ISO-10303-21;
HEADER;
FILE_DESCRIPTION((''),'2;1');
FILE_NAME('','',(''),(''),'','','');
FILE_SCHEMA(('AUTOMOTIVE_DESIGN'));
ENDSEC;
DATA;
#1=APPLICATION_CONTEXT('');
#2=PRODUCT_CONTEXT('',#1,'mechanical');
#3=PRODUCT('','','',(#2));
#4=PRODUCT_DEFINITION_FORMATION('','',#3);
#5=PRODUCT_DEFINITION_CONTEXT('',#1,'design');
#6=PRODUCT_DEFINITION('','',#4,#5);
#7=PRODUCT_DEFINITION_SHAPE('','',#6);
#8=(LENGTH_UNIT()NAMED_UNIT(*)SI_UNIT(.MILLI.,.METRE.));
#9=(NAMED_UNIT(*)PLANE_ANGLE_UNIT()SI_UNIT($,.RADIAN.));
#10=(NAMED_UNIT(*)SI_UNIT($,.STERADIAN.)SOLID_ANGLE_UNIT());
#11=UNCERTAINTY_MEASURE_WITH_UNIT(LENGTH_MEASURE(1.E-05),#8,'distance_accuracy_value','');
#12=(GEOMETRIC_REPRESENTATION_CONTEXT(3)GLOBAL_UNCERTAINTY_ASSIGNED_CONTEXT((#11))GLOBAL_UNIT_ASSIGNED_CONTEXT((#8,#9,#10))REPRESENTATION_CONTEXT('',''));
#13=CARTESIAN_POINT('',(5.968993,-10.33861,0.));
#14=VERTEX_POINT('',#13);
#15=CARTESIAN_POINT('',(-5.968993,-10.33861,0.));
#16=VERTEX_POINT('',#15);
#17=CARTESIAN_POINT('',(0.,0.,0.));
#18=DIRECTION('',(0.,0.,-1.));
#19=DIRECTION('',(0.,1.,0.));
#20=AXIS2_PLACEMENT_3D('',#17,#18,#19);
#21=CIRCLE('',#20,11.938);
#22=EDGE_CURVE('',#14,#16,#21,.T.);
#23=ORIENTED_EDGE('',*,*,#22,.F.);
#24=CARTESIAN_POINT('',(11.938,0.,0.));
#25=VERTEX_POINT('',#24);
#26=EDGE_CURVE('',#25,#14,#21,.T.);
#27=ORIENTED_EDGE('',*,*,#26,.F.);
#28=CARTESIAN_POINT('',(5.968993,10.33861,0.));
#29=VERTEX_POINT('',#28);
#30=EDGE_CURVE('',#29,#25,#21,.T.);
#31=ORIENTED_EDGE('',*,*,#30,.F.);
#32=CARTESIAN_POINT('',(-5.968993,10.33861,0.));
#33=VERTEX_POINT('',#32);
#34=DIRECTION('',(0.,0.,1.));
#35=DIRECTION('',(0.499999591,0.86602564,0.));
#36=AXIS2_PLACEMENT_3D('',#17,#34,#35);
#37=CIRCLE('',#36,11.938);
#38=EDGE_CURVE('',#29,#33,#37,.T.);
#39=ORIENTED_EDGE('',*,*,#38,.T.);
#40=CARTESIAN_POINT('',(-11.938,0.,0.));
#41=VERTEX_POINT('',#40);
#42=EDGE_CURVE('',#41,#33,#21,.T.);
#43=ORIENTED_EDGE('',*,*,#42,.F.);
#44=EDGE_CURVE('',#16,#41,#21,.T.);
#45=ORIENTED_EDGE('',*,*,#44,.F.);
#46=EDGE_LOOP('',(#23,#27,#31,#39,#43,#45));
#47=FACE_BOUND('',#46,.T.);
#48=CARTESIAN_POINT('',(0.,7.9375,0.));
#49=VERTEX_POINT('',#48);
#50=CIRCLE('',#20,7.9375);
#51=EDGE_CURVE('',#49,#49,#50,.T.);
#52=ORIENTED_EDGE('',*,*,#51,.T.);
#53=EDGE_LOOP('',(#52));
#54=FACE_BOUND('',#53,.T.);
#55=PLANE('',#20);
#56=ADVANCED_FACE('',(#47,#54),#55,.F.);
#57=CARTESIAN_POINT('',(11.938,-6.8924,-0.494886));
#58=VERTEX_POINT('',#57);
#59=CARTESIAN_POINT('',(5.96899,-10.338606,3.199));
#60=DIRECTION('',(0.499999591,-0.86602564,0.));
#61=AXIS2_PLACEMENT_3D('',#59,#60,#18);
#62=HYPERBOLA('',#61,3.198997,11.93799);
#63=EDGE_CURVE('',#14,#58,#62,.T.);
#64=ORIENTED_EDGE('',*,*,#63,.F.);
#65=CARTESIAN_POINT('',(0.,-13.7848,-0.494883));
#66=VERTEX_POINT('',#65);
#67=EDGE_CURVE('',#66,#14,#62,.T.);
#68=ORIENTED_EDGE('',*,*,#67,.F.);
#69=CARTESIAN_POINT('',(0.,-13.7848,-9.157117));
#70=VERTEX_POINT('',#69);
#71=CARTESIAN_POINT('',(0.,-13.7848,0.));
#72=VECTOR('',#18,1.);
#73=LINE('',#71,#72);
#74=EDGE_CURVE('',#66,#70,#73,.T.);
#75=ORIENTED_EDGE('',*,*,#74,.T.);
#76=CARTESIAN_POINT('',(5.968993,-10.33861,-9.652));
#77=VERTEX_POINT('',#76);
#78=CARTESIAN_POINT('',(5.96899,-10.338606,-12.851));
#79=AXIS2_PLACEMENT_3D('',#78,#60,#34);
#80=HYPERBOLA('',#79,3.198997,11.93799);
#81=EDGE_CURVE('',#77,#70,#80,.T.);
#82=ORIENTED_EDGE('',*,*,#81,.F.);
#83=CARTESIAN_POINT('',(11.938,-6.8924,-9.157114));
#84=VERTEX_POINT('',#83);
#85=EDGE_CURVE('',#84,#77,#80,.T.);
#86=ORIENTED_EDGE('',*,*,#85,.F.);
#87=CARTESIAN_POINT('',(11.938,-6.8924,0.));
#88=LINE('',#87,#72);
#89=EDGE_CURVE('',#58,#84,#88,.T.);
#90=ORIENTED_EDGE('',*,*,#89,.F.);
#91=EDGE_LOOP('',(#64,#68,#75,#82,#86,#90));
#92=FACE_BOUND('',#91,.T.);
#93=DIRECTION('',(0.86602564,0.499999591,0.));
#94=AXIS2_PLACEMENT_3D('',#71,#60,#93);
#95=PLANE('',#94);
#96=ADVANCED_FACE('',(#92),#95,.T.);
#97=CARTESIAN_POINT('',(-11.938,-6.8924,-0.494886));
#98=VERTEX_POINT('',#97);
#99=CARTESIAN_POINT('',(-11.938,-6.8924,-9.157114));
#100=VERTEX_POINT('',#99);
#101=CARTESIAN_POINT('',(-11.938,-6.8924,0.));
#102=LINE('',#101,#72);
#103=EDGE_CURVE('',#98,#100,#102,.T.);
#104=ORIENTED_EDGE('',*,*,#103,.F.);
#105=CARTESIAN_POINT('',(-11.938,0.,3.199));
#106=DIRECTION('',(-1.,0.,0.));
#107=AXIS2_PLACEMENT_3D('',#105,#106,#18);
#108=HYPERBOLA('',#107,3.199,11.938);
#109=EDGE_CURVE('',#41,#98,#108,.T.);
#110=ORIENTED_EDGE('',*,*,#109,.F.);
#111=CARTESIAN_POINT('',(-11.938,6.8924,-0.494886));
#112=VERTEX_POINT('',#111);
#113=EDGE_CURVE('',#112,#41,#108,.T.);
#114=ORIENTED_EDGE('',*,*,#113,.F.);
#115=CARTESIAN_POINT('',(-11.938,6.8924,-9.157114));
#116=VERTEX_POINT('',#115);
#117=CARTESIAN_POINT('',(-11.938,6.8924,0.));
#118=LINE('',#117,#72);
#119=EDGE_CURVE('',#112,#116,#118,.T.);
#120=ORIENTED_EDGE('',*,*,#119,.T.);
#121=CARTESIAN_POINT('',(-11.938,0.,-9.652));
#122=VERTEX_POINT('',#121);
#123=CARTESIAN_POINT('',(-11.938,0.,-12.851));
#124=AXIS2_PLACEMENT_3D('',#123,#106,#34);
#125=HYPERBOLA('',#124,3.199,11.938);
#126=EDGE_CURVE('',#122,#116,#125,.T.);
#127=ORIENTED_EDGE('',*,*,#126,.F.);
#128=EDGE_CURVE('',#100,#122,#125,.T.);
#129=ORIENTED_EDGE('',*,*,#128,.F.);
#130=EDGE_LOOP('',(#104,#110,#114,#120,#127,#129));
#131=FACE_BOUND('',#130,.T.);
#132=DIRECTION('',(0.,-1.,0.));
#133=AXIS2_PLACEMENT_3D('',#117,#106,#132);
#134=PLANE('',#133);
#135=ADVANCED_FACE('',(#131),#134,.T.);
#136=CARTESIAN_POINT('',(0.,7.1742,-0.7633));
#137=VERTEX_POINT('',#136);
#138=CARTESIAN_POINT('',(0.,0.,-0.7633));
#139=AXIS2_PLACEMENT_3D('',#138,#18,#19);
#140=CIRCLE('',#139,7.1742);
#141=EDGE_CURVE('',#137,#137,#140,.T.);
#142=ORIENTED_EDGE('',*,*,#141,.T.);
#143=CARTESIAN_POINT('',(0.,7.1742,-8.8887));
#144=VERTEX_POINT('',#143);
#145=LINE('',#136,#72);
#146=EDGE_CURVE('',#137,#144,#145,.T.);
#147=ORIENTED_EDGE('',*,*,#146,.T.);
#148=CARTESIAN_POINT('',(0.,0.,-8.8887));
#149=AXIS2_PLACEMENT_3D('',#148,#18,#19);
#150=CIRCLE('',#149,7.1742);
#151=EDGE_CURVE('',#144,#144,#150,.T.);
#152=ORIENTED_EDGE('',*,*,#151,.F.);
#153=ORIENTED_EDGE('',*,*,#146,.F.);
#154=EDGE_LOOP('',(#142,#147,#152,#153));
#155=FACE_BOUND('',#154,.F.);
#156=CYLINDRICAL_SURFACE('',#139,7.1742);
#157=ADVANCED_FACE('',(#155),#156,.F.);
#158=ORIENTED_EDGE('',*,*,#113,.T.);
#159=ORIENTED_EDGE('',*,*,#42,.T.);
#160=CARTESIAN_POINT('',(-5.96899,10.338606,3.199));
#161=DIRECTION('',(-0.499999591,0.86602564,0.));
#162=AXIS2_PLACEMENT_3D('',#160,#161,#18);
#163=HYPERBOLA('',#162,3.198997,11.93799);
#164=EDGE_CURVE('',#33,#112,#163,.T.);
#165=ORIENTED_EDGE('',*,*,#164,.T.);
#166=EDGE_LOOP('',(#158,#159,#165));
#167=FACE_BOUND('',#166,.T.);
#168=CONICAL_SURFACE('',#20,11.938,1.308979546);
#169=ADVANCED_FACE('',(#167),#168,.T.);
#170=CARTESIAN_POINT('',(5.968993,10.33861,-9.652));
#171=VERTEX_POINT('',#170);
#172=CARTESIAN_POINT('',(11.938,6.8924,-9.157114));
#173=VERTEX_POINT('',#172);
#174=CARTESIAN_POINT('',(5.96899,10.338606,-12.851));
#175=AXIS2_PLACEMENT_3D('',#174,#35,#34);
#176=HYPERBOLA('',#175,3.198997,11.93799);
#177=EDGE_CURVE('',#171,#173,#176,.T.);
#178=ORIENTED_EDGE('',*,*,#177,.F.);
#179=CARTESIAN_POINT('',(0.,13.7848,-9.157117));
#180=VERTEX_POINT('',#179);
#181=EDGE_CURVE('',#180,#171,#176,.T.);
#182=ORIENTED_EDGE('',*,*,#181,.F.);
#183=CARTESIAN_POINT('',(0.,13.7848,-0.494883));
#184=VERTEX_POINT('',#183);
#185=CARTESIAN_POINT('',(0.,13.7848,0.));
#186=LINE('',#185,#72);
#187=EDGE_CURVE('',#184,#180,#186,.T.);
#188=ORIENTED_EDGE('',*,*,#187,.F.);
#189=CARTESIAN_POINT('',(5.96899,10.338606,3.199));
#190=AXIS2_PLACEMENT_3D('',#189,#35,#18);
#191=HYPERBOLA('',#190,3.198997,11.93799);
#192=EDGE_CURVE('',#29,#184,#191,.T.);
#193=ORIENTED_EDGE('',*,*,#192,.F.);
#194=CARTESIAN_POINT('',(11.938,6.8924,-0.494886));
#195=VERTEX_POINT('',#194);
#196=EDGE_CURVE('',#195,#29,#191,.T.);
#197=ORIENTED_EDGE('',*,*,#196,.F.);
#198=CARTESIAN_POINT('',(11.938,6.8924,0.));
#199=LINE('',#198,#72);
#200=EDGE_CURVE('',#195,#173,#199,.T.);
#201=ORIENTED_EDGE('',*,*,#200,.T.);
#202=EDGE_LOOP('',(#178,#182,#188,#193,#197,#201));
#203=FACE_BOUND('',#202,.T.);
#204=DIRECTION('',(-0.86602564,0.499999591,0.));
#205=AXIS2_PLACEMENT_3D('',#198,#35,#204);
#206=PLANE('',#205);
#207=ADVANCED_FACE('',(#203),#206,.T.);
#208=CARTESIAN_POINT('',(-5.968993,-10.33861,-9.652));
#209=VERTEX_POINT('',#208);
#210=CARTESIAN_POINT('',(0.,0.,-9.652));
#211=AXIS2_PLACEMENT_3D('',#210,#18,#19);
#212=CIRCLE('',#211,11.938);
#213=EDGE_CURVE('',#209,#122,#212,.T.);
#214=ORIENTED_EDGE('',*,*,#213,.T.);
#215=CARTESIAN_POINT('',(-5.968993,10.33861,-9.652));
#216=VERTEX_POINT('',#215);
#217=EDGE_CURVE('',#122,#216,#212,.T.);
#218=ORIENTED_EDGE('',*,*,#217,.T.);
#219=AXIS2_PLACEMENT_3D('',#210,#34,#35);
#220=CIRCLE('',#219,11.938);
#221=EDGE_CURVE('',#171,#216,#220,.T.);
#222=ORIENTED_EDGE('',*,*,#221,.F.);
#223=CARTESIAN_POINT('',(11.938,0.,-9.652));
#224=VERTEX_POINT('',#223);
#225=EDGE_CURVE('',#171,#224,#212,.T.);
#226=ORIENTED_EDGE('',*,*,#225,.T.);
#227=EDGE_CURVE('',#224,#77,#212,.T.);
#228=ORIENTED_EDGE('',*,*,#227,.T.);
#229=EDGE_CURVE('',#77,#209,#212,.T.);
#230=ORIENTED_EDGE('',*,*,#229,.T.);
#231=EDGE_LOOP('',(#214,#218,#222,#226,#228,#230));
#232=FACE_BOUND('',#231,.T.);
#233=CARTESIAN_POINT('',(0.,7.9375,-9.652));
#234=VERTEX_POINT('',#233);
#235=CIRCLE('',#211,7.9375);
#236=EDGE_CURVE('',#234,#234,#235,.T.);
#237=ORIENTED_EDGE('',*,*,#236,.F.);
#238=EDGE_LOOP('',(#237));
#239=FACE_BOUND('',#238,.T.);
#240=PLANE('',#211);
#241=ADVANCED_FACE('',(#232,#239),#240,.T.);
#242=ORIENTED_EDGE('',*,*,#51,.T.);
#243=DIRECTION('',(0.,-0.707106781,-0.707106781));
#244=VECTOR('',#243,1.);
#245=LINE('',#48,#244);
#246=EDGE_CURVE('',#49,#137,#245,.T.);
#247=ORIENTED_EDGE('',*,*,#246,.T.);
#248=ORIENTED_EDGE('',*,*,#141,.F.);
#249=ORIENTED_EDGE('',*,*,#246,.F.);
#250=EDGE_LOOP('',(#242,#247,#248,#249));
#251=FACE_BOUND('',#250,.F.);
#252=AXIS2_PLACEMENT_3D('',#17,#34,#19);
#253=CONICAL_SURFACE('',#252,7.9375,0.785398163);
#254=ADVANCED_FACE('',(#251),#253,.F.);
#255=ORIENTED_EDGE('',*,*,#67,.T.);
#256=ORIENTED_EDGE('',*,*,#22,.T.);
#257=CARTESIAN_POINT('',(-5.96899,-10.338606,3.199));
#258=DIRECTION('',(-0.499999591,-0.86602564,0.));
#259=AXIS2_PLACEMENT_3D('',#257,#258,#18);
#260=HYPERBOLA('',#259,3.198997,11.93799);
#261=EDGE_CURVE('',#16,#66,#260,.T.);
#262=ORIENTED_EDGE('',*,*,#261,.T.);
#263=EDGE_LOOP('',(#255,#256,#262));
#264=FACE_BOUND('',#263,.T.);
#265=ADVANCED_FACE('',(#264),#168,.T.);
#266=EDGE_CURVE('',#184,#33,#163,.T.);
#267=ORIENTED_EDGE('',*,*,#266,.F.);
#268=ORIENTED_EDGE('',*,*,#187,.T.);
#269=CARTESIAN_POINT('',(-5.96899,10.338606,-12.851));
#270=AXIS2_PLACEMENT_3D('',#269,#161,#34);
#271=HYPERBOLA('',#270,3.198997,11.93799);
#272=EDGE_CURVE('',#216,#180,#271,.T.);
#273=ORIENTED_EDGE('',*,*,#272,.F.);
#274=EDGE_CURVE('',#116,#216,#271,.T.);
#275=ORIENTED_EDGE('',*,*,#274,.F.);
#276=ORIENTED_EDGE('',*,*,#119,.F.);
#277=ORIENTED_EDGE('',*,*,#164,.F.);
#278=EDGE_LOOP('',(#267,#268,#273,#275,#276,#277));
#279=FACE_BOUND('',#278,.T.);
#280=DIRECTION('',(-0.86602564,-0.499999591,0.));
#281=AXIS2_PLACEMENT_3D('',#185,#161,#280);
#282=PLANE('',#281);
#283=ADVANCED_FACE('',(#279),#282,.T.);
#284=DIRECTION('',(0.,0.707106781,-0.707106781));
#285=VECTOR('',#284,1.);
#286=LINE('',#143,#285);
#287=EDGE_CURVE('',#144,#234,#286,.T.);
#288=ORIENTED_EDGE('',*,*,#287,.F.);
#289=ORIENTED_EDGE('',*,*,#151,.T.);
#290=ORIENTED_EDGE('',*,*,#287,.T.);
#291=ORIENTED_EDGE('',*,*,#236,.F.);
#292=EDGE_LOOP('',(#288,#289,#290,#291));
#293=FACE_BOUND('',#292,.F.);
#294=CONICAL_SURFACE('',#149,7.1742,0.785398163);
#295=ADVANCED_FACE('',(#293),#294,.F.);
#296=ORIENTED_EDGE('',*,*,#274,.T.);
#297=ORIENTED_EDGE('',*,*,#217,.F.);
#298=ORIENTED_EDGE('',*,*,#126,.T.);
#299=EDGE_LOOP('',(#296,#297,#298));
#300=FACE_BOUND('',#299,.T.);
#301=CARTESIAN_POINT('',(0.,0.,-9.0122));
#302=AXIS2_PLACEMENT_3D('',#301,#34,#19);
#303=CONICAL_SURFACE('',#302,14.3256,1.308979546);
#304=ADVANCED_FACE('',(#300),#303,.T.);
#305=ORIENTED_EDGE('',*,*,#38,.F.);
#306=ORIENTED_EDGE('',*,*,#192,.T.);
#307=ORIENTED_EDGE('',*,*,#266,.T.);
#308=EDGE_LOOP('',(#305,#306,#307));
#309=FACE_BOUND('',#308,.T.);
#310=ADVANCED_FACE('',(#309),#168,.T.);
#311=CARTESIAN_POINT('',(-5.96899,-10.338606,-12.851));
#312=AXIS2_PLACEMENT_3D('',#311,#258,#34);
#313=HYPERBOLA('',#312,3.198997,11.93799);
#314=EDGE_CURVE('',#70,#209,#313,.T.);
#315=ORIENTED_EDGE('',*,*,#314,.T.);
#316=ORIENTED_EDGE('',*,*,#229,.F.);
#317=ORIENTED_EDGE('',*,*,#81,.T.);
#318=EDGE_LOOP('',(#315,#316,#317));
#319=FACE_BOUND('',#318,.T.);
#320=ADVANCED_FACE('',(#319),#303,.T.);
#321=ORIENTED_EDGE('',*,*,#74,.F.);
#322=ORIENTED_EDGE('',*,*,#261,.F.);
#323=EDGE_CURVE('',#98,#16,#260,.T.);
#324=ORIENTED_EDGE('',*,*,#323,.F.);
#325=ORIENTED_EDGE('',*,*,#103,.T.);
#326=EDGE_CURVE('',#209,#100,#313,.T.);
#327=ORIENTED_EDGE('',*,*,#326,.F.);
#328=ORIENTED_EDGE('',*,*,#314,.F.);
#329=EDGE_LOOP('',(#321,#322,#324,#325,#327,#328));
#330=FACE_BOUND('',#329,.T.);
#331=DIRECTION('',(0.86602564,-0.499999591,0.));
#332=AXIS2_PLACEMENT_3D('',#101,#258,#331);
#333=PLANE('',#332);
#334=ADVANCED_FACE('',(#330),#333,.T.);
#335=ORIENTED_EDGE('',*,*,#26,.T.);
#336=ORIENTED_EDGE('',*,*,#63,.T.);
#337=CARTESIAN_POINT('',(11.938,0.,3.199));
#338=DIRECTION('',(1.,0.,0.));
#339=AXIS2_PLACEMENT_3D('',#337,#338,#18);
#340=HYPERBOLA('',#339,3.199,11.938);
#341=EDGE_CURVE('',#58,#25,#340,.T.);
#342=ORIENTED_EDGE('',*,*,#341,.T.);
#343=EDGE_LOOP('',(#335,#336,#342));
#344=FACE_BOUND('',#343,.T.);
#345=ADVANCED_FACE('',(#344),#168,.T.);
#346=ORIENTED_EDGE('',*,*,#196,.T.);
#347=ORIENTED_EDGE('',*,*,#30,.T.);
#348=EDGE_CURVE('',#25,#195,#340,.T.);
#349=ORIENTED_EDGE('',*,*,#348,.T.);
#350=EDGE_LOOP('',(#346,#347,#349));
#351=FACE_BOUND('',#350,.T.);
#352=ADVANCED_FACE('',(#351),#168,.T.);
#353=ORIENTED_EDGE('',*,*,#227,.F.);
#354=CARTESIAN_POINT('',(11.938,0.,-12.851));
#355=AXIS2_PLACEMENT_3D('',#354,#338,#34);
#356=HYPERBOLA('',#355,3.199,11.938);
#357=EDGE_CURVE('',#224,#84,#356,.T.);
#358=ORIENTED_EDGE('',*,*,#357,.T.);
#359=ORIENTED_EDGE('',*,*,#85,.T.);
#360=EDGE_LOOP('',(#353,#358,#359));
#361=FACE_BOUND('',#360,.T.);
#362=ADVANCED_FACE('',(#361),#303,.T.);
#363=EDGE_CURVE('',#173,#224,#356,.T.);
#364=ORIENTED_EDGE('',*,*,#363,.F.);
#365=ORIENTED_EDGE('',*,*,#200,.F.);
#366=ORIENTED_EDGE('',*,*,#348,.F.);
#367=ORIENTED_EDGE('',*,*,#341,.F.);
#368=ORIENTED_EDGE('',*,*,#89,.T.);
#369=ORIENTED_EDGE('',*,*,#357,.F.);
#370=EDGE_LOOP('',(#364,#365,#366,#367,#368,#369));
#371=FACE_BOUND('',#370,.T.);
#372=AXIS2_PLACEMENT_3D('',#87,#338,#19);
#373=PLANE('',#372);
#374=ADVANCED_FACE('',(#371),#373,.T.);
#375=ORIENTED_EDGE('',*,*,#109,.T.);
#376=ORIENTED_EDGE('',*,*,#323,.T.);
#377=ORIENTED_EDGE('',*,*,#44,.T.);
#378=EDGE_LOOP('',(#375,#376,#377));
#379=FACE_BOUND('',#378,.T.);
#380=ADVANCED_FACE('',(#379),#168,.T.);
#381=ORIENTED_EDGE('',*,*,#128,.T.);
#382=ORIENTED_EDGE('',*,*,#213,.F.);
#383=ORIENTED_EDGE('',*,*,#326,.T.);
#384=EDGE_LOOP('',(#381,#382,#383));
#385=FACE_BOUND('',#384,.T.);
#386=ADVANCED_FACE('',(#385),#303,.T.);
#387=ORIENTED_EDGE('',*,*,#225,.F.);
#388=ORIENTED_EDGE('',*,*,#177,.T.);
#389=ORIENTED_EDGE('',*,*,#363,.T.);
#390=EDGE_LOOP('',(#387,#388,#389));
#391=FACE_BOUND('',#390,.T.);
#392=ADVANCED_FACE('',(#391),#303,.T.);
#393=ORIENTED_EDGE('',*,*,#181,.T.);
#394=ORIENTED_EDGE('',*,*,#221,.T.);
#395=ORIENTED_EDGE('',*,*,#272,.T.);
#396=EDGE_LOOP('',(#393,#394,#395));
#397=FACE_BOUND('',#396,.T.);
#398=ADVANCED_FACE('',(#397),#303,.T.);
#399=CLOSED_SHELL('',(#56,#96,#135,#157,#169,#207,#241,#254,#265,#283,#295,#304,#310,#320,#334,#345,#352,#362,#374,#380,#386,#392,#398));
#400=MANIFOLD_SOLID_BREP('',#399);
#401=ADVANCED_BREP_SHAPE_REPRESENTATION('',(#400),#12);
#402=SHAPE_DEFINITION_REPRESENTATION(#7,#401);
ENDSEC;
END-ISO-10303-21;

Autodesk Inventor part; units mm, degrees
sketch "Sketch_8" plane through (0, 0, 0) normal (1, 0, 0) x (0, 1, 0)
  line L0 (0, -9.652) -> (0, 0)
  line L1 (0, 0) -> (11.938, 0)
  line L2 (11.938, 0) -> (14.3256, -0.6398)
  line L3 (14.3256, -0.6398) -> (14.3256, -9.0122)
  line L4 (14.3256, -9.0122) -> (11.938, -9.652)
  line L5 (11.938, -9.652) -> (0, -9.652)
  line L6 (0, -9.652) -> (0, 0)
sketch "Sketch_10" plane through (0, 0, 0) normal (0, 0, 1) x (1, 0, 0)
  line L0 (-23.876, 23.876) -> (-23.876, -23.876)
  line L1 (-23.876, -23.876) -> (23.876, -23.876)
  line L2 (23.876, -23.876) -> (23.876, 23.876)
  line L3 (23.876, 23.876) -> (-23.876, 23.876)
  line L4 (-11.938, 6.8924) -> (-11.938, -6.8924)
  line L5 (-11.938, -6.8924) -> (0, -13.7848)
  line L6 (0, -13.7848) -> (11.938, -6.8924)
  line L7 (11.938, -6.8924) -> (11.938, 6.8924)
  line L8 (11.938, 6.8924) -> (0, 13.7848)
  line L9 (0, 13.7848) -> (-11.938, 6.8924)
revolve "Revolution1" add sketch "Sketch_8" angle 360 about axis through (0, 0, -9.652) along (0, 0, -1)
extrude "Extrusion1" cut sketch "Sketch_10" against normal blind 9.652
sketch "Sketch_11" plane through (0, 0, 0) normal (1, 0, 0) x (0, 1, 0)
  line L0 (0, -9.652) -> (0, 0)
  line L1 (0, 0) -> (7.9375, 0)
  line L2 (7.9375, 0) -> (7.1742, -0.7633)
  line L3 (7.1742, -0.7633) -> (7.1742, -8.8887)
  line L4 (7.1742, -8.8887) -> (7.9375, -9.652)
  line L5 (7.9375, -9.652) -> (0, -9.652)
  line L6 (0, -9.652) -> (0, 0)
revolve "Revolution2" cut sketch "Sketch_11" angle 360 about axis through (0, 0, -9.652) along (0, 0, -1)
thread "Thread1" size "5/8-18 UNF" class "2B" standard "ANSI Unified Screw Threads" full length
ref_plane "NUT_XY" through (0, 0, 0) normal (0, 0, 1) x (1, 0, 0)
ref_plane "NUT_YZ" through (0, 0, 0) normal (1, 0, 0) x (0, 1, 0)
ref_plane "NUT_ZX" through (0, 0, 0) normal (0, 1, 0) x (0, 0, 1)
ref_plane "a1_XY" through (-11.938, 11.938, 0) normal (0, 0, 1) x (1, 0, 0)
ref_plane "a1_YZ" through (-11.938, 11.938, 0) normal (1, 0, 0) x (0, 1, 0)
ref_plane "a1_ZX" through (-11.938, 11.938, 0) normal (0, 1, 0) x (0, 0, 1)
ref_plane "a2_XY" through (11.938, 11.938, 0) normal (0, 0, 1) x (1, 0, 0)
ref_plane "a2_YZ" through (11.938, 11.938, 0) normal (1, 0, 0) x (0, 1, 0)
ref_plane "a2_ZX" through (11.938, 11.938, 0) normal (0, 1, 0) x (0, 0, 1)
ref_plane "b1_XY" through (0, 11.938, 0) normal (1, 0, 0) x (0, 0, -1)
ref_plane "b1_YZ" through (0, 11.938, 0) normal (0, 0, -1) x (0, 1, 0)
ref_plane "b1_ZX" through (0, 11.938, 0) normal (0, 1, 0) x (1, 0, 0)
ref_plane "b2_XY" through (0, 11.938, -9.652) normal (1, 0, 0) x (0, 0, -1)
ref_plane "b2_YZ" through (0, 11.938, -9.652) normal (0, 0, -1) x (0, 1, 0)
ref_plane "b2_ZX" through (0, 11.938, -9.652) normal (0, 1, 0) x (1, 0, 0)
ref_plane "e_XY" through (0, 0, -9.652) normal (1, 0, 0) x (0, 0, -1)
ref_plane "e_YZ" through (0, 0, -9.652) normal (0, 0, -1) x (0, 1, 0)
ref_plane "e_ZX" through (0, 0, -9.652) normal (0, 1, 0) x (1, 0, 0)
ref_plane "ol1_XY" through (0, 0, -11.938) normal (0, 1, 0) x (1, 0, 0)
ref_plane "ol1_YZ" through (0, 0, -11.938) normal (1, 0, 0) x (0, 0, -1)
ref_plane "ol1_ZX" through (0, 0, -11.938) normal (0, 0, -1) x (0, 1, 0)
ref_plane "ol2_XY" through (9.652, 0, -11.938) normal (0, 1, 0) x (1, 0, 0)
ref_plane "ol2_YZ" through (9.652, 0, -11.938) normal (1, 0, 0) x (0, 0, -1)
ref_plane "ol2_ZX" through (9.652, 0, -11.938) normal (0, 0, -1) x (0, 1, 0)
ref_plane "th1_XY" through (0, 7.9375, -9.652) normal (1, 0, 0) x (0, 0, -1)
ref_plane "th1_YZ" through (0, 7.9375, -9.652) normal (0, 0, -1) x (0, 1, 0)
ref_plane "th1_ZX" through (0, 7.9375, -9.652) normal (0, 1, 0) x (1, 0, 0)
ref_plane "th2_XY" through (0, -7.9375, -9.652) normal (1, 0, 0) x (0, 0, -1)
ref_plane "th2_YZ" through (0, -7.9375, -9.652) normal (0, 0, -1) x (0, 1, 0)
ref_plane "th2_ZX" through (0, -7.9375, -9.652) normal (0, 1, 0) x (1, 0, 0)
properties part number "D-9"
